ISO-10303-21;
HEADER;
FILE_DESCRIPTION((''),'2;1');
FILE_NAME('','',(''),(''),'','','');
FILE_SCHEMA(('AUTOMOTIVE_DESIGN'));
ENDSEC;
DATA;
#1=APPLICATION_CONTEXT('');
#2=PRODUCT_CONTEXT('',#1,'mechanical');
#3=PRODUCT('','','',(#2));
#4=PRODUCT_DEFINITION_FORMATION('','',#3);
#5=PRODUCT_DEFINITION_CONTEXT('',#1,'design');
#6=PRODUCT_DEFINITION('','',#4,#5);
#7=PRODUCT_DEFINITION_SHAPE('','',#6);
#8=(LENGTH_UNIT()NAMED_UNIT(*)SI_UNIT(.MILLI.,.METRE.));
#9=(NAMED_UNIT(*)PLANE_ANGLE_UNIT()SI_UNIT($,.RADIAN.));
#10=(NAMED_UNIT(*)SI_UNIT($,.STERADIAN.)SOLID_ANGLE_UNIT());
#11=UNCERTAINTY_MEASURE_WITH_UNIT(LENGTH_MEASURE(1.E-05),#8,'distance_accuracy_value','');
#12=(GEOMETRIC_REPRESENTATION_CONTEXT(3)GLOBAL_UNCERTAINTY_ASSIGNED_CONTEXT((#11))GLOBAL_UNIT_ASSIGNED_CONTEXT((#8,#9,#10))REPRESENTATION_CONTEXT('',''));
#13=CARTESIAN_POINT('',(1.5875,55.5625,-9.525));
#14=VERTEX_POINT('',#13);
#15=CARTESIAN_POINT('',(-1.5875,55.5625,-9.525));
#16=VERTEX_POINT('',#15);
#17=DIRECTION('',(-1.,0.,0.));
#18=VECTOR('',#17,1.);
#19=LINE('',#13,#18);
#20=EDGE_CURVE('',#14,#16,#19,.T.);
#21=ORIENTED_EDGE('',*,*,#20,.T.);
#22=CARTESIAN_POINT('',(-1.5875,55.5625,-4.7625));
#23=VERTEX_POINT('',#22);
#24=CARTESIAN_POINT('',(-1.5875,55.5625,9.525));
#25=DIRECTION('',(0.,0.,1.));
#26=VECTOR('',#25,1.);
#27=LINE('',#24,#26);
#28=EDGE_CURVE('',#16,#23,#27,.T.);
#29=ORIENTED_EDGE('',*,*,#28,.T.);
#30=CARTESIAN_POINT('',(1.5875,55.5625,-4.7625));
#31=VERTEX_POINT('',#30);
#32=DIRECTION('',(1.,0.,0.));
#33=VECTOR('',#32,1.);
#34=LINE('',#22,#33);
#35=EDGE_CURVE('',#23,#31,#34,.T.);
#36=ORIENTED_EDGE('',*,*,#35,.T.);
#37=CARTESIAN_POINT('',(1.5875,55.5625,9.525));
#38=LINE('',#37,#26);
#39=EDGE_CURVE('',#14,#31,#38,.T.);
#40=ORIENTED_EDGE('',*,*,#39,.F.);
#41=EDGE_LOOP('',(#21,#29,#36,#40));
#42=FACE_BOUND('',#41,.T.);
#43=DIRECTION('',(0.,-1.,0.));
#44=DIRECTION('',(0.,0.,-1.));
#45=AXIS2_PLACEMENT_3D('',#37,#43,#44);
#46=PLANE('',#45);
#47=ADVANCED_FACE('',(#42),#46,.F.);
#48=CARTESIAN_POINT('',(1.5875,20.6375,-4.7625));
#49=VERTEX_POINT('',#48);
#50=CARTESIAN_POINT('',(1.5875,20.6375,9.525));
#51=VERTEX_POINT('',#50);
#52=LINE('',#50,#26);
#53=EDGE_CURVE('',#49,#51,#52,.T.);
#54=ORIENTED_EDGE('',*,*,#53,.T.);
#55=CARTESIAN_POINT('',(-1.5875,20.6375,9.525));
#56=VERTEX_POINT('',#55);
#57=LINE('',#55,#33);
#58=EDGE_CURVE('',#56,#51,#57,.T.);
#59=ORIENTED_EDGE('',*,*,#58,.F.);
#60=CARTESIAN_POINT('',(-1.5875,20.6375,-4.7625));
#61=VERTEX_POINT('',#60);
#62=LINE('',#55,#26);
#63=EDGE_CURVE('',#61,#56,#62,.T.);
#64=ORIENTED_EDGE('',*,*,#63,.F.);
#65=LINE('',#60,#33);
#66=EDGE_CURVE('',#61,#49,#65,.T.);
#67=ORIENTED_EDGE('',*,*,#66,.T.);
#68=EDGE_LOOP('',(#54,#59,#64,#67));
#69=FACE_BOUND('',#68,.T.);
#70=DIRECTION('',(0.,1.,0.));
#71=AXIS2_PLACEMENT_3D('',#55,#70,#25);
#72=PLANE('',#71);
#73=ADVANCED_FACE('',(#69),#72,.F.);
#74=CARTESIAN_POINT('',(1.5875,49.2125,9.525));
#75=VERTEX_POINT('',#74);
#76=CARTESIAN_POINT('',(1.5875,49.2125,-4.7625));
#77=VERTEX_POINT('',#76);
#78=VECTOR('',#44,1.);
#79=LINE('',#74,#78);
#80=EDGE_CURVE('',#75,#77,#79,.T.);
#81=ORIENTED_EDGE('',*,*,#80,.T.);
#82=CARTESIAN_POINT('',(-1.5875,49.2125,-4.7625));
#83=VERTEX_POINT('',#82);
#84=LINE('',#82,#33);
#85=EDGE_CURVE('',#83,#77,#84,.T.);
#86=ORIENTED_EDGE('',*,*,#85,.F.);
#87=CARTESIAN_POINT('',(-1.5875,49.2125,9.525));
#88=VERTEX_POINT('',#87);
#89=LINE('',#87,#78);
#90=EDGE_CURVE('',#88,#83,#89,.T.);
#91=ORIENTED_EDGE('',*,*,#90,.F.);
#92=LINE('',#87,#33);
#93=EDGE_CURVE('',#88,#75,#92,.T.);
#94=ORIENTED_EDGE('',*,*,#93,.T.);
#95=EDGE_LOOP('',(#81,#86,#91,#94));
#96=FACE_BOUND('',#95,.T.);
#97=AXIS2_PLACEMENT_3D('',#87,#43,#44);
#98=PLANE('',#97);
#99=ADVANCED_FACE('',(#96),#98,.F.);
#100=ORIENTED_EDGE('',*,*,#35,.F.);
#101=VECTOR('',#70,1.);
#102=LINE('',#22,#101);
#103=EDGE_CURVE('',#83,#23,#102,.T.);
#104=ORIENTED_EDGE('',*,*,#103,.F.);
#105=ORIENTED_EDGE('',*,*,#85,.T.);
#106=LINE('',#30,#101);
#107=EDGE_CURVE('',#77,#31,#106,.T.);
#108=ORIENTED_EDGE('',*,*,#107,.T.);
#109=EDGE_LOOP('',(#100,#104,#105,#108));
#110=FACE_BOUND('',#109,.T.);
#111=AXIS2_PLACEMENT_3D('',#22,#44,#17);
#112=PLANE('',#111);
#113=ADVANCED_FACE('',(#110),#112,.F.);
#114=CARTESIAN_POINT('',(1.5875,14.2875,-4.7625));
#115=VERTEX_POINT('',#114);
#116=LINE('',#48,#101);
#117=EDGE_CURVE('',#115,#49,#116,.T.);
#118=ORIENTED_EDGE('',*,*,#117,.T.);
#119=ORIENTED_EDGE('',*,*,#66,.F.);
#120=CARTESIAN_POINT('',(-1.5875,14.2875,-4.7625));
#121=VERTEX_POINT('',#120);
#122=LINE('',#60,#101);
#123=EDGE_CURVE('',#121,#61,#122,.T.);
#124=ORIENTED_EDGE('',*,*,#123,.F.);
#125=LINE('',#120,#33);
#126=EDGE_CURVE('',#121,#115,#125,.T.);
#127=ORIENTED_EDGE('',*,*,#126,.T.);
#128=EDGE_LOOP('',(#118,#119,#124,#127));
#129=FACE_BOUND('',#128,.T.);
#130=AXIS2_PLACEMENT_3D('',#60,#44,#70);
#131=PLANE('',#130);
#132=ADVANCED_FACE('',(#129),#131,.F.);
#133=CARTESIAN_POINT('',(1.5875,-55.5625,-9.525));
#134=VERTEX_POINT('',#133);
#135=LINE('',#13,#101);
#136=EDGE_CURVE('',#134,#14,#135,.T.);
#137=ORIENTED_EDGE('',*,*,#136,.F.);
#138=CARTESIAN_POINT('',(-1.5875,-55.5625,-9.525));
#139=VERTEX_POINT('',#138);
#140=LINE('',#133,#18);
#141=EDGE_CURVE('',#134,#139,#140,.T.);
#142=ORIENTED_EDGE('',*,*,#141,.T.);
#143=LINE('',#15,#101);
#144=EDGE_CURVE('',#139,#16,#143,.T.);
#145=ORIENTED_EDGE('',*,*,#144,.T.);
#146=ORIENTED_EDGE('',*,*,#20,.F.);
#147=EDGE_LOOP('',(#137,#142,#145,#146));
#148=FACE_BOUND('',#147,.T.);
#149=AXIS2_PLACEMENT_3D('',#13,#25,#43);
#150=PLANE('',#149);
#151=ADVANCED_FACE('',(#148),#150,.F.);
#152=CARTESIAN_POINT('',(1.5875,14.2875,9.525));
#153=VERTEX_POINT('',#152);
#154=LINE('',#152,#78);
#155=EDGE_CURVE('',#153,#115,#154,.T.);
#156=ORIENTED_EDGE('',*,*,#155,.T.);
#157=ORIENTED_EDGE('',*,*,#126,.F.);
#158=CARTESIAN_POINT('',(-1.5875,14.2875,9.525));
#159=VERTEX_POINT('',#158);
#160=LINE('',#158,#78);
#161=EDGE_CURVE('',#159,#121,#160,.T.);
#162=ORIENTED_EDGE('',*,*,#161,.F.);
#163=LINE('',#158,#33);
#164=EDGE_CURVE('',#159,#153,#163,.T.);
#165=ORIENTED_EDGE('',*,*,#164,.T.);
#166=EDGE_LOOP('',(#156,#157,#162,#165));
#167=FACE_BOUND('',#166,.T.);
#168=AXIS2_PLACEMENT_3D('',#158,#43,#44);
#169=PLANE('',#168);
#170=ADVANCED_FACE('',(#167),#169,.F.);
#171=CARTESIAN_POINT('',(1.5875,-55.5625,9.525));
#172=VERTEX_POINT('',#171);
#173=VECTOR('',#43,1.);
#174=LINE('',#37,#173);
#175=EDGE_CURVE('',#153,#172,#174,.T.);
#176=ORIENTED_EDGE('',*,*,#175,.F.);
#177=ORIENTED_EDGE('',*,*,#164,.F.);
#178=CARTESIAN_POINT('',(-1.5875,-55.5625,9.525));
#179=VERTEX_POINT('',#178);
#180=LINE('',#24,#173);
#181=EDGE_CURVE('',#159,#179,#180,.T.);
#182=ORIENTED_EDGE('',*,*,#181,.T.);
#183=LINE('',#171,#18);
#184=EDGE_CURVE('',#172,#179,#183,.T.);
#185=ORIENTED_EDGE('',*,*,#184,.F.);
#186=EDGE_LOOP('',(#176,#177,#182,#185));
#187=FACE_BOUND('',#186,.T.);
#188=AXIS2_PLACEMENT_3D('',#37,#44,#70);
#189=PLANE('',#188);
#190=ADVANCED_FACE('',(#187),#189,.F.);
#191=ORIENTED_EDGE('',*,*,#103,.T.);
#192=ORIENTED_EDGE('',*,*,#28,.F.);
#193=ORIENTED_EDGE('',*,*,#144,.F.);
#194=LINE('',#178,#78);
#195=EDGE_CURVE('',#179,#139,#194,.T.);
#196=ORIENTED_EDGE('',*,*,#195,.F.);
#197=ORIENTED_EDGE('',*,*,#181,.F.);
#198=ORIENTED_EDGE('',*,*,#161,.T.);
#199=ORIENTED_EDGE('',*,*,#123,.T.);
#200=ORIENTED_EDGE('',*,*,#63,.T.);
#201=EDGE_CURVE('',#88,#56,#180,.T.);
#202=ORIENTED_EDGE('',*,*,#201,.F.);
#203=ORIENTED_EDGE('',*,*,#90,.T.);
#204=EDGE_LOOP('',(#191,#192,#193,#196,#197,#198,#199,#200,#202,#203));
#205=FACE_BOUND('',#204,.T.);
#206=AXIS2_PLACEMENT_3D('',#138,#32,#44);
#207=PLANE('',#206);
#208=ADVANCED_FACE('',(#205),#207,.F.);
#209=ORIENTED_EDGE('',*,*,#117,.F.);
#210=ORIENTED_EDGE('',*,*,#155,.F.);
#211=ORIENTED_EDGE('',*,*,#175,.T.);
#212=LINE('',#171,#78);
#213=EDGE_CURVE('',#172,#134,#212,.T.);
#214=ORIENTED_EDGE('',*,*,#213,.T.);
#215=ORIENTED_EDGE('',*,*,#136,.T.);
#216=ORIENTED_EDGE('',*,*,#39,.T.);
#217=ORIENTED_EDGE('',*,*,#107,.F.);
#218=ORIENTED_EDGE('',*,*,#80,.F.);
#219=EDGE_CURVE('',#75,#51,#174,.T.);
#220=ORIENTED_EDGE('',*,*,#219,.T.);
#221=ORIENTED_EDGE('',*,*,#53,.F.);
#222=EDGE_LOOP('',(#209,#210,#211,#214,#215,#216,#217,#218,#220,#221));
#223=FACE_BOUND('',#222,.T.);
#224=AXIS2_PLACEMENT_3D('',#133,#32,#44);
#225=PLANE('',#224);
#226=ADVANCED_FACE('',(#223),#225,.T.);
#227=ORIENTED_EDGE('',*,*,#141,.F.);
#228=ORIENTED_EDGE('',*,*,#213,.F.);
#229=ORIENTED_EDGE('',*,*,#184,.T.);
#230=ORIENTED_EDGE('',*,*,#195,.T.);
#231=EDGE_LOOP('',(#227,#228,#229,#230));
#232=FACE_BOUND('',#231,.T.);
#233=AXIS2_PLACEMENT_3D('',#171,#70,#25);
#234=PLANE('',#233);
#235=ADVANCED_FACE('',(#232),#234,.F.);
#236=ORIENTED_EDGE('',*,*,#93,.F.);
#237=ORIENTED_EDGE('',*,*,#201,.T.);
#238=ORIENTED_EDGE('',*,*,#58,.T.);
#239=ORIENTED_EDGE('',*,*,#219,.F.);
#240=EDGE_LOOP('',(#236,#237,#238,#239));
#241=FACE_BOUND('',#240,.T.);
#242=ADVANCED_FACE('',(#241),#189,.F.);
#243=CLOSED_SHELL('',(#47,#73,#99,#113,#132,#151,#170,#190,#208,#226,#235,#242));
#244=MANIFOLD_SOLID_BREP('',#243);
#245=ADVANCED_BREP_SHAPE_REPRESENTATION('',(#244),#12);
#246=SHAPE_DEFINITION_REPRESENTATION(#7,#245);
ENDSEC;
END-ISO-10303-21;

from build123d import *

# Parameters (mm, degrees)
SKETCH1_W           = 19.05
SKETCH1_H           = 111.125
BOSS_EXTRUDE1_DEPTH = 1.5875
SKETCH2_W           = 14.2875
SKETCH2_H           = 6.35
CUT_EXTRUDE1_DEPTH  = 4.175


with BuildPart() as part:
    # Sketch1 → Boss-Extrude1 (new body, symmetric)
    with BuildSketch(Plane(origin=(0, 0, 0), x_dir=(0, 0, -1), z_dir=(1, 0, 0))):
        Rectangle(SKETCH1_W, SKETCH1_H)
    extrude(amount=BOSS_EXTRUDE1_DEPTH, both=True)

    # Sketch2 → Cut-Extrude1 (cut, through all)
    with BuildSketch(Plane(origin=(1.5875, 0, 0), x_dir=(0, 0, -1), z_dir=(1, 0, 0))):
        with Locations((-2.38125, 52.3875)):
            Rectangle(SKETCH2_W, SKETCH2_H)
        with Locations((-2.38125, 17.4625)):
            Rectangle(SKETCH2_W, SKETCH2_H)
    extrude(amount=-CUT_EXTRUDE1_DEPTH, mode=Mode.SUBTRACT)


solid = part.part
